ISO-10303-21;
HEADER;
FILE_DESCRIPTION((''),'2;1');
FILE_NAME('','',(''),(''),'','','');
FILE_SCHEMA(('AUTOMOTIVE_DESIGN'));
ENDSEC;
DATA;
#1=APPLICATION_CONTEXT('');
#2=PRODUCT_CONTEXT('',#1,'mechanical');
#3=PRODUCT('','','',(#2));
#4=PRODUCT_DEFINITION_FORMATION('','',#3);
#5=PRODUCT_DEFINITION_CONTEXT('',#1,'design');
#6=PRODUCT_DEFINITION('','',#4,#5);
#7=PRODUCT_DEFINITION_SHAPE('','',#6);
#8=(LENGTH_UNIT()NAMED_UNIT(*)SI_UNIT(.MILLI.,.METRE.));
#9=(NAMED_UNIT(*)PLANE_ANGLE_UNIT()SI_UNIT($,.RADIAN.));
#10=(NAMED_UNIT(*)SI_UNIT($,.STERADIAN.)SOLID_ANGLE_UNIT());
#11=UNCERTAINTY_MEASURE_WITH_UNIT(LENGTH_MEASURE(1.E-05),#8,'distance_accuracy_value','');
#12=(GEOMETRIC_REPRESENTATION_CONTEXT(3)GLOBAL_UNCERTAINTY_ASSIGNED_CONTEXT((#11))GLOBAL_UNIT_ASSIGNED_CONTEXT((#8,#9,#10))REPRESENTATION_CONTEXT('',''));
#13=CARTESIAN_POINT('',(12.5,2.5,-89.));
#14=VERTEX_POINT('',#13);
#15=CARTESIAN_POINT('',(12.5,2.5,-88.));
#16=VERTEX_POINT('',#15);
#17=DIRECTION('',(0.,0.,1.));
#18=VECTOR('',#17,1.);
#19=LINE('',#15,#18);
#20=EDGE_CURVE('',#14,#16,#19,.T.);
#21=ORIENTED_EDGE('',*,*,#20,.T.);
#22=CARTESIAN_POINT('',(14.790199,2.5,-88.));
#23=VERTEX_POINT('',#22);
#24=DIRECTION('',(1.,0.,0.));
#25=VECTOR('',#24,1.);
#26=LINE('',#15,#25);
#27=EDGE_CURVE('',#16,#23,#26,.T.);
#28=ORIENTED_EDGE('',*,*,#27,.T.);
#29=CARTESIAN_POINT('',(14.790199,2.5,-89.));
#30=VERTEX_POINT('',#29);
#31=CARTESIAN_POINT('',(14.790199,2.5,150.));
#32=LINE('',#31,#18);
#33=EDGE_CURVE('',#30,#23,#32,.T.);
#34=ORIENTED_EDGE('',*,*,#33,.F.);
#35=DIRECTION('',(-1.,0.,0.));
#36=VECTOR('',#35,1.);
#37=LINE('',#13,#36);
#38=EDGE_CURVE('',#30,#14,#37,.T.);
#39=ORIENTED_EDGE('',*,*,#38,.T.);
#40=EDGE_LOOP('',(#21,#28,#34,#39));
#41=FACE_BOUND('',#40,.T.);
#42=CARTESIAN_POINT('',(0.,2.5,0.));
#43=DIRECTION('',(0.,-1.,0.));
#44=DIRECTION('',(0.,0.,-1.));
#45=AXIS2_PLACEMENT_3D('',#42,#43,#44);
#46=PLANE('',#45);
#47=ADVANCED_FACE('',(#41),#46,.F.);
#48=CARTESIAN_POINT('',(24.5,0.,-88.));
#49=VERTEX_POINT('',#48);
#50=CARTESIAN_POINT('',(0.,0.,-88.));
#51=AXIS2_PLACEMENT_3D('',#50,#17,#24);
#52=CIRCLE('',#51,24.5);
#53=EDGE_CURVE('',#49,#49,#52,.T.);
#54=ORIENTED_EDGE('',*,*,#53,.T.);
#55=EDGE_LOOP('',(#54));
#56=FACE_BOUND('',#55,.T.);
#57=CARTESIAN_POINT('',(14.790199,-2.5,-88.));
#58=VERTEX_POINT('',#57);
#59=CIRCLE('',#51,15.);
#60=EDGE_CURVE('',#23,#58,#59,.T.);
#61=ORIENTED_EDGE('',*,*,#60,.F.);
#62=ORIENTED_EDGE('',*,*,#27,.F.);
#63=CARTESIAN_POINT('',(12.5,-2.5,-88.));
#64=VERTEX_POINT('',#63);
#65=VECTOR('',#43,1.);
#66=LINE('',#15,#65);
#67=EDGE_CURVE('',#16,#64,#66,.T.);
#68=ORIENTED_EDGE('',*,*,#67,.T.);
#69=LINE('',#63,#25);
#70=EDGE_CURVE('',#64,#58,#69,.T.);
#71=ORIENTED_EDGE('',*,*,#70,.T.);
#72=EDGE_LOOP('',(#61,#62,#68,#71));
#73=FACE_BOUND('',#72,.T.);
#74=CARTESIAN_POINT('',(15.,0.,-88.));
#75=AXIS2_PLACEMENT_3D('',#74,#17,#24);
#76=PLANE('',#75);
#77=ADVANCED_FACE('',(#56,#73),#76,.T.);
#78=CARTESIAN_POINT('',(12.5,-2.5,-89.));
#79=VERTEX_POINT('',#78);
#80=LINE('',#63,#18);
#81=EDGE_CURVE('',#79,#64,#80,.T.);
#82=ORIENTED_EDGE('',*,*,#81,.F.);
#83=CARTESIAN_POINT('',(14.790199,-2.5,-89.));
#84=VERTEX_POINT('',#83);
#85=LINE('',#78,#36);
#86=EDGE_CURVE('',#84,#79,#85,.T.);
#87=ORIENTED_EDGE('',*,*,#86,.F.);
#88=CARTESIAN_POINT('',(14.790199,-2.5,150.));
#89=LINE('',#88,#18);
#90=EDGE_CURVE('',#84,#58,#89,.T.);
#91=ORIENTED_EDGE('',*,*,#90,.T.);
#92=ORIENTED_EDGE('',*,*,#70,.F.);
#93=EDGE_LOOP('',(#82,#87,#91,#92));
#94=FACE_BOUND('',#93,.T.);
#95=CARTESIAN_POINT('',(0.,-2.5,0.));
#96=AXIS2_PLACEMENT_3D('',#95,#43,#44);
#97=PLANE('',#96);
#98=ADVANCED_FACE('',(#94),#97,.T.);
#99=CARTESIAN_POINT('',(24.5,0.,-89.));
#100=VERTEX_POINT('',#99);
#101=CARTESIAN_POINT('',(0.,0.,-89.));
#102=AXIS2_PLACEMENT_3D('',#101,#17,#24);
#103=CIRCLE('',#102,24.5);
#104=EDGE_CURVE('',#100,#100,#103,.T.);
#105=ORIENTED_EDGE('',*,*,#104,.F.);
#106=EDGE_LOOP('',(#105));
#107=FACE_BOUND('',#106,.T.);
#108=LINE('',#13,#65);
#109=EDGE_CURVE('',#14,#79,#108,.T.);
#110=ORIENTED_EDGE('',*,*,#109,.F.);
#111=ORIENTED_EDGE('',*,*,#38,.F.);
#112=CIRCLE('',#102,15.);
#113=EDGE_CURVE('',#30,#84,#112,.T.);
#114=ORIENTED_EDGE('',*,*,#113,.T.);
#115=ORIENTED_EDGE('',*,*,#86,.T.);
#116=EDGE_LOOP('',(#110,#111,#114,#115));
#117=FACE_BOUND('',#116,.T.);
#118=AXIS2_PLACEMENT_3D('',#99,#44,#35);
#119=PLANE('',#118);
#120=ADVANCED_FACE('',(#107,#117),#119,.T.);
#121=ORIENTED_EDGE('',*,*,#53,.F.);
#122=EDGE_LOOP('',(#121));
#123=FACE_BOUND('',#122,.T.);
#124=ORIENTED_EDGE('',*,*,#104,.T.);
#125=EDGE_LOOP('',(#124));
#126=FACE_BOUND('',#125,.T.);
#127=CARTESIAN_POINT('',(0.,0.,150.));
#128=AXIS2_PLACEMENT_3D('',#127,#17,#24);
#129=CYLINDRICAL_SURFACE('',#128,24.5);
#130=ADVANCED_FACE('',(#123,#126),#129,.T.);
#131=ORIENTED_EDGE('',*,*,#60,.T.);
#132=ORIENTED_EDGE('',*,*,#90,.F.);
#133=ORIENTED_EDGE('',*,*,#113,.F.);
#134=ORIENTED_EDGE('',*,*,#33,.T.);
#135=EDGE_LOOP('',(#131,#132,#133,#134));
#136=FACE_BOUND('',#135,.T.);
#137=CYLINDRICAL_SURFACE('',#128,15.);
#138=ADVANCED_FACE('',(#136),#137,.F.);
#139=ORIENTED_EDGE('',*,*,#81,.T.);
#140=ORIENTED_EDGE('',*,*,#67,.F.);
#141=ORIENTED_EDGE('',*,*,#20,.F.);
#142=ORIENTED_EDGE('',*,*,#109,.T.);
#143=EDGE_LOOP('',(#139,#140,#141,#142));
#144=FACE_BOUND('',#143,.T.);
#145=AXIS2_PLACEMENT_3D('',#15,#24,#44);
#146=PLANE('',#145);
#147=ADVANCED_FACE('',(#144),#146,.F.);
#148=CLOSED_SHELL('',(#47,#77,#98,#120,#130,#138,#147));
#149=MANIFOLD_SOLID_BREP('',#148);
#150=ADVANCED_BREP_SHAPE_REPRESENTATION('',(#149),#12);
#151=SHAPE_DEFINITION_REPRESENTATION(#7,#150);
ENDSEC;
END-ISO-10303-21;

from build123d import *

# Parameters (mm, degrees)
SKETCH1_W                    = 9.5
SKETCH1_H                    = 1
SKETCH2_W                    = 2.7
SKETCH2_H                    = 1
EX_INNER_TAB_5MM_M27_5_DEPTH = 2.5


with BuildPart() as part:
    # Sketch1 → REV_MB6_30x49x1 (revolve)
    with BuildSketch(Plane(origin=(0, 0, 0), x_dir=(1, 0, 0), z_dir=(0, 1, 0))):
        with Locations((19.75, 88.5)):
            Rectangle(SKETCH1_W, SKETCH1_H)
    revolve(axis=Axis((0, 0, 150), (0, 0, -1)))

    # Sketch2 → EX_Inner_Tab_5mm_M27.5 (add, symmetric)
    with BuildSketch(Plane(origin=(0, 0, 0), x_dir=(1, 0, 0), z_dir=(0, 1, 0))):
        with Locations((13.85, 88.5)):
            Rectangle(SKETCH2_W, SKETCH2_H)
    extrude(amount=EX_INNER_TAB_5MM_M27_5_DEPTH, both=True)


solid = part.part
